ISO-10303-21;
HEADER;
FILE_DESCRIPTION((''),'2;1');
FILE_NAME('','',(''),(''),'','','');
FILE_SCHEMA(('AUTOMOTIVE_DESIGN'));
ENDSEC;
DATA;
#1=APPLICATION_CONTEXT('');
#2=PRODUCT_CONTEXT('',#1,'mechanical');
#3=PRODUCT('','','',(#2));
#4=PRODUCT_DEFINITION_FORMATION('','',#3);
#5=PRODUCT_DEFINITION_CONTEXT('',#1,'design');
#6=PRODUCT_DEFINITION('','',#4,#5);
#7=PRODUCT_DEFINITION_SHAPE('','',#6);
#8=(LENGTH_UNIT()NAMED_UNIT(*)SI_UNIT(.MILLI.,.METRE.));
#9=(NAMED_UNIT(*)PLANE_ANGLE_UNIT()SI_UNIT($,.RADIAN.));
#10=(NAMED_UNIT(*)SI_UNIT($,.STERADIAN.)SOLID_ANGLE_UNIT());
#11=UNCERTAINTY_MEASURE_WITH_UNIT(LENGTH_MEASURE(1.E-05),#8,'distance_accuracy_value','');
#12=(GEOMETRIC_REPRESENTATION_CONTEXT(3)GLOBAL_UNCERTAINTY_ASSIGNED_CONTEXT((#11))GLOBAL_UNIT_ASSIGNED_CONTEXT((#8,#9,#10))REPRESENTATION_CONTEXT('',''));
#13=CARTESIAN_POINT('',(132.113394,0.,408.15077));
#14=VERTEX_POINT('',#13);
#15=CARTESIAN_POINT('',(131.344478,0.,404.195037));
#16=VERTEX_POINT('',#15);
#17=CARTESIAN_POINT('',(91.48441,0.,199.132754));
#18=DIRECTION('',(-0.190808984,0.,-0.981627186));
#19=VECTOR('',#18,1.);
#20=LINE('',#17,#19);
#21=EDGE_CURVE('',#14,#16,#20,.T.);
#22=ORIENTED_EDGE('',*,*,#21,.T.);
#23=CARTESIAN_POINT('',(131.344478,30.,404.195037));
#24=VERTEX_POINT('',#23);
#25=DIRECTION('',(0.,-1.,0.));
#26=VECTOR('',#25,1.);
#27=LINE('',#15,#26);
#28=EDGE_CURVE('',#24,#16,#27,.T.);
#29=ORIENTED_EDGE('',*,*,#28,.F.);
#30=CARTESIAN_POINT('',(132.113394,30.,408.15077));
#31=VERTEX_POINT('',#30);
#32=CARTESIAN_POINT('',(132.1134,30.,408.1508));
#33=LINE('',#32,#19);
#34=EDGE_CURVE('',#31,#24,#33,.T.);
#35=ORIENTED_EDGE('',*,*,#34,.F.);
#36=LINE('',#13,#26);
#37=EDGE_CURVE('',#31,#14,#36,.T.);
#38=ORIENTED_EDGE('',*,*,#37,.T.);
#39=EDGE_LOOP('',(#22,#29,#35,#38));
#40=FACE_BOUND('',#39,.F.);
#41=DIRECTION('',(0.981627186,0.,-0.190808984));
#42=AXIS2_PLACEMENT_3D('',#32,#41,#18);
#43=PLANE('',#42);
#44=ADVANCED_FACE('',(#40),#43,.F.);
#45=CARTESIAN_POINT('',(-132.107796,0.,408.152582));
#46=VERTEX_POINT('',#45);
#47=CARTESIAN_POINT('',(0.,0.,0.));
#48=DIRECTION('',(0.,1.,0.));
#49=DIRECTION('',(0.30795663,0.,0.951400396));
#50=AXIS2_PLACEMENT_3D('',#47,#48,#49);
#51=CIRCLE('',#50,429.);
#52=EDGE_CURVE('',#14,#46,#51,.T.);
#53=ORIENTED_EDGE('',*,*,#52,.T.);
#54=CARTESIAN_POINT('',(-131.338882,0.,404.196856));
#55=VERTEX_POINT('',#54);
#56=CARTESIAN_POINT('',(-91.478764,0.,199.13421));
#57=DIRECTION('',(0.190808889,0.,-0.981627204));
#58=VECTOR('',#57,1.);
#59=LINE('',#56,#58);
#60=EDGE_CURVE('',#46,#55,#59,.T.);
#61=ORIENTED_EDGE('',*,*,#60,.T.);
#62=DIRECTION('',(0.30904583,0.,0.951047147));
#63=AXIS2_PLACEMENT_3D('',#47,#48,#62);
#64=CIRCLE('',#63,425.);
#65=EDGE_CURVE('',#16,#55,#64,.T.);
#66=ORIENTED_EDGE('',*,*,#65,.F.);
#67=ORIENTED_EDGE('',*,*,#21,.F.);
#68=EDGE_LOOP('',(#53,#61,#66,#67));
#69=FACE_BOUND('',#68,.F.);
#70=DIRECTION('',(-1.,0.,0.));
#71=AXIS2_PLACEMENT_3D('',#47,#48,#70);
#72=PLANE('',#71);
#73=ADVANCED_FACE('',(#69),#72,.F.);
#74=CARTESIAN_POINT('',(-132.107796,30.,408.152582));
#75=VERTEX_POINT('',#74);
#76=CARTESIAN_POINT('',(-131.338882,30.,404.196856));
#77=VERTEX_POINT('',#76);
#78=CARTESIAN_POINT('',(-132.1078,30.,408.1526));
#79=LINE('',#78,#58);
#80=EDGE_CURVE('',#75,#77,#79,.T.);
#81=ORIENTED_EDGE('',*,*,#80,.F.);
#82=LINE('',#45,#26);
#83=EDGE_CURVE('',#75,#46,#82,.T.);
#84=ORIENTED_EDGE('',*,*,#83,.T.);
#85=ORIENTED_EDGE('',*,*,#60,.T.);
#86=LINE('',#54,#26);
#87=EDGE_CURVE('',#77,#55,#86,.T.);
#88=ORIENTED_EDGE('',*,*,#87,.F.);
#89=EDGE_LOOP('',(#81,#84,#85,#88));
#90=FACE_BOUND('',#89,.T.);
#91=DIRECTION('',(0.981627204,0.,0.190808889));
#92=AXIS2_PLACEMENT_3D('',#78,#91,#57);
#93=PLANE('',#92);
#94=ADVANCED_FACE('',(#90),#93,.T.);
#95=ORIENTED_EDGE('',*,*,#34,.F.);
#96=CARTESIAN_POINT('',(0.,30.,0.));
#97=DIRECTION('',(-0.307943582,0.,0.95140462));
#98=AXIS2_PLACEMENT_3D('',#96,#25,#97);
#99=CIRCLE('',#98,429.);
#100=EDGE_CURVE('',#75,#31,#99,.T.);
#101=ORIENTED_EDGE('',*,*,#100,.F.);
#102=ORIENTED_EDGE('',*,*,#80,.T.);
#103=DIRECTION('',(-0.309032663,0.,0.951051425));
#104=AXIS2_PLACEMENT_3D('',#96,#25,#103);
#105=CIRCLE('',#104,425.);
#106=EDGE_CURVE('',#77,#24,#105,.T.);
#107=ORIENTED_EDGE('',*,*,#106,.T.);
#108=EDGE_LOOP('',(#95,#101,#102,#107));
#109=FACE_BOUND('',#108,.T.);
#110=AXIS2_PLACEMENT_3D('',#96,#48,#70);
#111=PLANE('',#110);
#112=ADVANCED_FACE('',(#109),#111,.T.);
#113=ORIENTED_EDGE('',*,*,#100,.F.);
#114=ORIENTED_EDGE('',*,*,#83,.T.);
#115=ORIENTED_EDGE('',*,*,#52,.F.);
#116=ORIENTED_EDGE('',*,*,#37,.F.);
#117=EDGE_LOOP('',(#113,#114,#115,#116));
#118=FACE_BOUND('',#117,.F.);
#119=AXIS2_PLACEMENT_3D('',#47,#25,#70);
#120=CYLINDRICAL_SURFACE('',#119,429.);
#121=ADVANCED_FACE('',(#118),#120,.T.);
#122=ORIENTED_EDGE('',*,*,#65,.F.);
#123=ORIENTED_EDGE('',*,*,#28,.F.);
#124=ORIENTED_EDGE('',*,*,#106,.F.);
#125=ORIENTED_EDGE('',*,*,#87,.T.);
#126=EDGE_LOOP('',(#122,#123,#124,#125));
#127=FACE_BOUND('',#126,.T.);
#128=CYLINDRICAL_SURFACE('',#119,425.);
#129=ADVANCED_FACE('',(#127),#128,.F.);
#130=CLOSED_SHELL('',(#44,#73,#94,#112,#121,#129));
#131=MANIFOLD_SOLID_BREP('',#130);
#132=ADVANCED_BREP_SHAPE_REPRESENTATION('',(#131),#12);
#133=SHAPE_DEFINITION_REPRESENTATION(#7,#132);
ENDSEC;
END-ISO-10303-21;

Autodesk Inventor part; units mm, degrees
ref_plane "YZ Plane" through (0, 0, 0) normal (1, 0, 0) x (0, 1, 0)
ref_plane "XZ Plane" through (0, 0, 0) normal (0, 1, 0) x (-1, 0, 0)
ref_plane "XY Plane" through (0, 0, 0) normal (0, 0, 1) x (1, 0, 0)
sketch "Sketch1" plane through (0, 0, 0) normal (0, 1, 0) x (-1, 0, 0)
  circle A0 centre (0, 0) radius 425
  circle A1 centre (0, 0) radius 429
  dimension "d84" = 858
  dimension "d85" = 850
extrude "Extrusion3" add sketch "Sketch1" along normal blind 30
sketch "Sketch3" plane through (0, 30, 0) normal (0, 1, 0) x (1, 0, 0)
  arc A0 (-132.1078, -408.1526) -> (132.1134, -408.1508) centre (0, 0) ccw
  arc A1 (-77.7244, -128.3741) -> (77.7297, -128.3709) centre (0, 0) ccw
  line L0 (-122.1811, -173.696) -> (-161.3589, -227.6196)
  line L1 (-132.1078, -408.1526) -> (-77.7244, -128.3741)
  line L2 (0, 0) -> (0, -341.2918)
  line L3 (132.1134, -408.1508) -> (77.7297, -128.3709)
  line L4 (210.5535, -295.3313) -> (171.3679, -241.3969) projected
  dimension "d52" = 25
  dimension "d87" = 150.07
  dimension "d88" = 429
  dimension "d89" = 25
  dimension "d90" = 11
  dimension "d91" = 11
extrude "Extrusion10" cut sketch "Sketch3" against normal through all
equation "\"BendRadius\" = Thickness"
equation "\"BendReliefWidth\" = Thickness"
equation "\"BendReliefDepth\" = 0.5 * Thickness"
equation "\"CornerReliefSize\" = 4 * Thickness"
equation "\"MinimumRemnant\" = 2 * Thickness"
equation "\"TransitionRadius\" = BendRadius"
equation "\"JacobiRadiusSize\" = BendRadius"
equation "\"GapSize\" = Thickness"
equation "\"Thickness\" = 0.5"
properties part number "Banding Mid Level Outer" material "Wood (Maple)"
